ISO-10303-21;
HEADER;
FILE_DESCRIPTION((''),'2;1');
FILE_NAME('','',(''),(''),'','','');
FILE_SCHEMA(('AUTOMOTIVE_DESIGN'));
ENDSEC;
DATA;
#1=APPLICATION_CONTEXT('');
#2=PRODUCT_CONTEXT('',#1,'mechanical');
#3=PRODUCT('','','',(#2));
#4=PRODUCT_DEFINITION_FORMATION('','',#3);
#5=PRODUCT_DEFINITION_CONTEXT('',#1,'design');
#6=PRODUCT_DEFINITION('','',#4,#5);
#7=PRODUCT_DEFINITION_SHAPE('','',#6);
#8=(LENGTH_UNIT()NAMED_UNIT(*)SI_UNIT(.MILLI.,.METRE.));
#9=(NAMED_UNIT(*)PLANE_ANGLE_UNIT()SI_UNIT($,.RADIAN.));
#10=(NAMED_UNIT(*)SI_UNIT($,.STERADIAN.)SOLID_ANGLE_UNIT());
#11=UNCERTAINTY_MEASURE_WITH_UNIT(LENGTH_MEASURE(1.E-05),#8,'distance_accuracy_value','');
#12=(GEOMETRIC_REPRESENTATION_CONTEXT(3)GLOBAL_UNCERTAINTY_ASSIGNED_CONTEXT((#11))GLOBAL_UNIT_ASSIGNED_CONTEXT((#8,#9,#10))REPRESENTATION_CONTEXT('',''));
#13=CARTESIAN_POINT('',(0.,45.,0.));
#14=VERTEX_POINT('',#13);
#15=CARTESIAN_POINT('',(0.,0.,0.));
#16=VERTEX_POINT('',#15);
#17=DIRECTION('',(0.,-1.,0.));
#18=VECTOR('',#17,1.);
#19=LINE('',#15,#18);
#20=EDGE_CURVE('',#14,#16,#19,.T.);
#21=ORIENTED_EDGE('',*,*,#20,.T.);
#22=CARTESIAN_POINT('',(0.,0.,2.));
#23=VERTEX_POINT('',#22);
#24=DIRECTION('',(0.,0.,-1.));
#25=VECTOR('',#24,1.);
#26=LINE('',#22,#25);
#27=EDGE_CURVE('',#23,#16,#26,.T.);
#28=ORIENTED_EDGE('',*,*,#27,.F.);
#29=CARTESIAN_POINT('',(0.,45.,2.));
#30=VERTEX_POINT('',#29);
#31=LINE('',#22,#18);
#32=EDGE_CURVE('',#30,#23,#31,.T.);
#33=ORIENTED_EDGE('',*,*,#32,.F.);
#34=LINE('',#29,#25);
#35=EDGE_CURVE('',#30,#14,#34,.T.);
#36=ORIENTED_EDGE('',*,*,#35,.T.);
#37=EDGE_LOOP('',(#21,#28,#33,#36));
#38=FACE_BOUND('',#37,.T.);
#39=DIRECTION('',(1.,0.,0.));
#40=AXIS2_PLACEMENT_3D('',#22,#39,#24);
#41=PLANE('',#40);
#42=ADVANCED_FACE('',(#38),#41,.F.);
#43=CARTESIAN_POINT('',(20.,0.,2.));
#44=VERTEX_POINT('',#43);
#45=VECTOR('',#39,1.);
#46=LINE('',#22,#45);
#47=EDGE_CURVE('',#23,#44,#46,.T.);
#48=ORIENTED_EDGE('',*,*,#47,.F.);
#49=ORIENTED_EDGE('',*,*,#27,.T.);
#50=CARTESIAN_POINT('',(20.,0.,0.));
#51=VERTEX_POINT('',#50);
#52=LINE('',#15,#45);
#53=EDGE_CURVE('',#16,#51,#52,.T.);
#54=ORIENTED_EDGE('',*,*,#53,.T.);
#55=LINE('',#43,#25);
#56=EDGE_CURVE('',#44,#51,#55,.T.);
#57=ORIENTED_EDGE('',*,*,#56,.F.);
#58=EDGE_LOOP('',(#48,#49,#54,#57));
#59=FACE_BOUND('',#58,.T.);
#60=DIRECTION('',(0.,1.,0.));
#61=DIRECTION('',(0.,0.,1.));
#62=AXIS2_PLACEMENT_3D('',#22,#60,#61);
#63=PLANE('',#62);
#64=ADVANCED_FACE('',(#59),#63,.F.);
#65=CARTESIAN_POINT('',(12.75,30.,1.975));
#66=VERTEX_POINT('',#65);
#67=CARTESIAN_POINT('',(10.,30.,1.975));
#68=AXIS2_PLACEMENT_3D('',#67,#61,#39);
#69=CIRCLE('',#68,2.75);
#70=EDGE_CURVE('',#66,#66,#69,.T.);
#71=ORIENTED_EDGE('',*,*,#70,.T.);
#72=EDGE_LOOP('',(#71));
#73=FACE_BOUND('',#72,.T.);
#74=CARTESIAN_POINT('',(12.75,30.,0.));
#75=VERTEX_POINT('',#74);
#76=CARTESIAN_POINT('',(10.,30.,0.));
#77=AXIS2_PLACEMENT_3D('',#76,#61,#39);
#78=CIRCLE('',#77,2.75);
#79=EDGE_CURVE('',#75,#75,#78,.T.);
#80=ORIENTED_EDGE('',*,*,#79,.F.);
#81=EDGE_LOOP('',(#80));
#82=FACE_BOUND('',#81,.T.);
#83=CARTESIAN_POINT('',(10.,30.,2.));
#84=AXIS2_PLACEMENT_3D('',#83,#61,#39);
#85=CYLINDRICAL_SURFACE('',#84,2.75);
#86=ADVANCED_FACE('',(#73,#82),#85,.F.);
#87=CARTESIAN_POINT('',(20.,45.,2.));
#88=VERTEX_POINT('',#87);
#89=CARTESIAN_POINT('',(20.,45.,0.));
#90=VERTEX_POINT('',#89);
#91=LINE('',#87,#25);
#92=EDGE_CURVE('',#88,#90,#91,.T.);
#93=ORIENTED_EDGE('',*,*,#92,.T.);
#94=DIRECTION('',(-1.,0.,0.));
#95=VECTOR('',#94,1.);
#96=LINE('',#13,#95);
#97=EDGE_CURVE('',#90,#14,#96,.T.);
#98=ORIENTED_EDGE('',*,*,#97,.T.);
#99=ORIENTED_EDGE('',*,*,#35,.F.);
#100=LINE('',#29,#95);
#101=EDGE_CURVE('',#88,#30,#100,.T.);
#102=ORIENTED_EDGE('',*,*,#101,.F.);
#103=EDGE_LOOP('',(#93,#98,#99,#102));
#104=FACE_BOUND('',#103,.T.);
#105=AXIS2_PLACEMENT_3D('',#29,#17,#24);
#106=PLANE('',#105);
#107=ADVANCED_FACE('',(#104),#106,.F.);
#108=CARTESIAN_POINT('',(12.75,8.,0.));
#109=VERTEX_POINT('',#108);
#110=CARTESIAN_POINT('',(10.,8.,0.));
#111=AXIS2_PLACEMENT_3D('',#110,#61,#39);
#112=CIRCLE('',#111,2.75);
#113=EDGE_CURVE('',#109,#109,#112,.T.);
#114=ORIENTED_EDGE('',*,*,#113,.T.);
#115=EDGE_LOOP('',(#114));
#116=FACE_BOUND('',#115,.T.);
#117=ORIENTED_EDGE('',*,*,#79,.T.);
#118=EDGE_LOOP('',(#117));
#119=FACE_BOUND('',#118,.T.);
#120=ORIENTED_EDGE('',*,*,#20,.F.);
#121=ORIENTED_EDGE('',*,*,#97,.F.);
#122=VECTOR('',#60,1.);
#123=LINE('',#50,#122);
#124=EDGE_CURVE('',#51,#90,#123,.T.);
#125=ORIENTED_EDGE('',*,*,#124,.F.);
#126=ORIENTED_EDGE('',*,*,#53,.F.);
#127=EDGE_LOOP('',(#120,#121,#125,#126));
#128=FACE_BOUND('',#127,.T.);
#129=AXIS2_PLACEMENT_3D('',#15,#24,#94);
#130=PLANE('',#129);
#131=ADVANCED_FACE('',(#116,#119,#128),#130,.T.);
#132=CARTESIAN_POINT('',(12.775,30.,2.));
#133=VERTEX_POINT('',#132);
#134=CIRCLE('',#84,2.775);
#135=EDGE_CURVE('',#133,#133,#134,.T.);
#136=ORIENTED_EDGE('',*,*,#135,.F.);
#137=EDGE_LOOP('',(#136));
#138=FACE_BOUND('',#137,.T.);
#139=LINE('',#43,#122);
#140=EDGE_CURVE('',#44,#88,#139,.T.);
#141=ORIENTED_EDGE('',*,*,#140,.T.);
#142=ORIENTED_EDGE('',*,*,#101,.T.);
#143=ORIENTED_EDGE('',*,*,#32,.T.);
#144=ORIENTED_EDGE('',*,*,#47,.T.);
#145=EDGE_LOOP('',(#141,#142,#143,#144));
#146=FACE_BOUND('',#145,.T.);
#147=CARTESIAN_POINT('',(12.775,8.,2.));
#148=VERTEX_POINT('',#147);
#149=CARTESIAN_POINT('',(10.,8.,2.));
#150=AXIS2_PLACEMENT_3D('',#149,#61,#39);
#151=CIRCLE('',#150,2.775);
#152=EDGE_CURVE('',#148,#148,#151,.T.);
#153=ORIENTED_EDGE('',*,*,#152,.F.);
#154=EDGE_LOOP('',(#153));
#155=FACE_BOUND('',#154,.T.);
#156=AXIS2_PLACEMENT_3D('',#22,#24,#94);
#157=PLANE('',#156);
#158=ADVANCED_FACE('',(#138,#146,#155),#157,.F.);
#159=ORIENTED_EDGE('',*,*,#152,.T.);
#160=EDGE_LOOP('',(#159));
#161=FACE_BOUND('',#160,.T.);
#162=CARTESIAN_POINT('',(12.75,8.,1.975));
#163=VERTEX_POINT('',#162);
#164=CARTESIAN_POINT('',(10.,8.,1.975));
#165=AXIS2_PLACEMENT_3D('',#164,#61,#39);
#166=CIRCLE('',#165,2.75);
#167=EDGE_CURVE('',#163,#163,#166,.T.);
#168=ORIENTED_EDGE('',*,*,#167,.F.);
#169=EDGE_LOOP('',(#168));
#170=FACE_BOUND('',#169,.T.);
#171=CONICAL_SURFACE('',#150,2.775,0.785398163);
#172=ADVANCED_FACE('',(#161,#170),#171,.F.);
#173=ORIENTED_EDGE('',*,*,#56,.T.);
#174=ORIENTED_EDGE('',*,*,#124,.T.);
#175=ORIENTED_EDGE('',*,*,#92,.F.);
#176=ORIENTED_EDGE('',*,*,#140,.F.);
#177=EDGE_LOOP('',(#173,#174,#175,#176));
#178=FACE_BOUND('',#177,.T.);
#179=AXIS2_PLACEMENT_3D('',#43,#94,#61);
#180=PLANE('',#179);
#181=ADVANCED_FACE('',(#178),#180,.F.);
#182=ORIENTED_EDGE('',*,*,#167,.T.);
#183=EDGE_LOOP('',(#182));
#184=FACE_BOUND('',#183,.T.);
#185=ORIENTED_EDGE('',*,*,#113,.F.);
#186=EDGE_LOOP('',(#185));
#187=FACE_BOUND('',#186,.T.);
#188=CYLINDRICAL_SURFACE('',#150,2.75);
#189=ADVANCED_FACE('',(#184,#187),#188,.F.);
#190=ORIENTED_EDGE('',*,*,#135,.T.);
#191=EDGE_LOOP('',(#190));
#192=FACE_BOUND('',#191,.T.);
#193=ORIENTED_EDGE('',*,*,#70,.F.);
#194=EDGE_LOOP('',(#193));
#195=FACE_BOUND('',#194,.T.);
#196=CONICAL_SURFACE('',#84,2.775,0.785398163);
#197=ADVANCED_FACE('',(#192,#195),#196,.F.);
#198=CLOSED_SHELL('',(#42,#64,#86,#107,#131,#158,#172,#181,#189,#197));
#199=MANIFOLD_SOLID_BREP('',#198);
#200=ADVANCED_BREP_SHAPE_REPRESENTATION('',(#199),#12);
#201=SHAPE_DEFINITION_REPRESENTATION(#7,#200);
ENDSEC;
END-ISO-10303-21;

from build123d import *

# Parameters (mm, degrees)
SKETCH1_W                     = 20
SKETCH1_H                     = 45
BOSS_EXTRUDE1_DEPTH           = 2
M5_CLEARANCE_HOLE1_AT_2_COUNT = 2
M5_CLEARANCE_HOLE1_AT_2_PITCH = 22


with BuildPart() as part:
    # Sketch1 → Boss-Extrude1 (new body)
    with BuildSketch(Plane.XY):
        with Locations((10, 22.5)):
            Rectangle(SKETCH1_W, SKETCH1_H)
    extrude(amount=BOSS_EXTRUDE1_DEPTH)

    # Sketch3 → M5 Clearance Hole1 (revolve, cut)
    with BuildSketch(Plane(origin=(10, 30, 2), x_dir=(0, -1, 0), z_dir=(1, 0, 0))):
        Polygon((0, 0), (0, 2), (2.75, 2), (2.75, 0.025), (2.775, 0), align=None)
    m5_clearance_hole1 = revolve(axis=Axis((10, 30, 8.35), (0, 0, -1)), mode=Mode.SUBTRACT)

    # M5 Clearance Hole1 at 2: M5 Clearance Hole1 ×2
    with Locations(*[(0, -i * M5_CLEARANCE_HOLE1_AT_2_PITCH, 0) for i in range(1, M5_CLEARANCE_HOLE1_AT_2_COUNT)]):
        add(m5_clearance_hole1, mode=Mode.SUBTRACT)


solid = part.part
